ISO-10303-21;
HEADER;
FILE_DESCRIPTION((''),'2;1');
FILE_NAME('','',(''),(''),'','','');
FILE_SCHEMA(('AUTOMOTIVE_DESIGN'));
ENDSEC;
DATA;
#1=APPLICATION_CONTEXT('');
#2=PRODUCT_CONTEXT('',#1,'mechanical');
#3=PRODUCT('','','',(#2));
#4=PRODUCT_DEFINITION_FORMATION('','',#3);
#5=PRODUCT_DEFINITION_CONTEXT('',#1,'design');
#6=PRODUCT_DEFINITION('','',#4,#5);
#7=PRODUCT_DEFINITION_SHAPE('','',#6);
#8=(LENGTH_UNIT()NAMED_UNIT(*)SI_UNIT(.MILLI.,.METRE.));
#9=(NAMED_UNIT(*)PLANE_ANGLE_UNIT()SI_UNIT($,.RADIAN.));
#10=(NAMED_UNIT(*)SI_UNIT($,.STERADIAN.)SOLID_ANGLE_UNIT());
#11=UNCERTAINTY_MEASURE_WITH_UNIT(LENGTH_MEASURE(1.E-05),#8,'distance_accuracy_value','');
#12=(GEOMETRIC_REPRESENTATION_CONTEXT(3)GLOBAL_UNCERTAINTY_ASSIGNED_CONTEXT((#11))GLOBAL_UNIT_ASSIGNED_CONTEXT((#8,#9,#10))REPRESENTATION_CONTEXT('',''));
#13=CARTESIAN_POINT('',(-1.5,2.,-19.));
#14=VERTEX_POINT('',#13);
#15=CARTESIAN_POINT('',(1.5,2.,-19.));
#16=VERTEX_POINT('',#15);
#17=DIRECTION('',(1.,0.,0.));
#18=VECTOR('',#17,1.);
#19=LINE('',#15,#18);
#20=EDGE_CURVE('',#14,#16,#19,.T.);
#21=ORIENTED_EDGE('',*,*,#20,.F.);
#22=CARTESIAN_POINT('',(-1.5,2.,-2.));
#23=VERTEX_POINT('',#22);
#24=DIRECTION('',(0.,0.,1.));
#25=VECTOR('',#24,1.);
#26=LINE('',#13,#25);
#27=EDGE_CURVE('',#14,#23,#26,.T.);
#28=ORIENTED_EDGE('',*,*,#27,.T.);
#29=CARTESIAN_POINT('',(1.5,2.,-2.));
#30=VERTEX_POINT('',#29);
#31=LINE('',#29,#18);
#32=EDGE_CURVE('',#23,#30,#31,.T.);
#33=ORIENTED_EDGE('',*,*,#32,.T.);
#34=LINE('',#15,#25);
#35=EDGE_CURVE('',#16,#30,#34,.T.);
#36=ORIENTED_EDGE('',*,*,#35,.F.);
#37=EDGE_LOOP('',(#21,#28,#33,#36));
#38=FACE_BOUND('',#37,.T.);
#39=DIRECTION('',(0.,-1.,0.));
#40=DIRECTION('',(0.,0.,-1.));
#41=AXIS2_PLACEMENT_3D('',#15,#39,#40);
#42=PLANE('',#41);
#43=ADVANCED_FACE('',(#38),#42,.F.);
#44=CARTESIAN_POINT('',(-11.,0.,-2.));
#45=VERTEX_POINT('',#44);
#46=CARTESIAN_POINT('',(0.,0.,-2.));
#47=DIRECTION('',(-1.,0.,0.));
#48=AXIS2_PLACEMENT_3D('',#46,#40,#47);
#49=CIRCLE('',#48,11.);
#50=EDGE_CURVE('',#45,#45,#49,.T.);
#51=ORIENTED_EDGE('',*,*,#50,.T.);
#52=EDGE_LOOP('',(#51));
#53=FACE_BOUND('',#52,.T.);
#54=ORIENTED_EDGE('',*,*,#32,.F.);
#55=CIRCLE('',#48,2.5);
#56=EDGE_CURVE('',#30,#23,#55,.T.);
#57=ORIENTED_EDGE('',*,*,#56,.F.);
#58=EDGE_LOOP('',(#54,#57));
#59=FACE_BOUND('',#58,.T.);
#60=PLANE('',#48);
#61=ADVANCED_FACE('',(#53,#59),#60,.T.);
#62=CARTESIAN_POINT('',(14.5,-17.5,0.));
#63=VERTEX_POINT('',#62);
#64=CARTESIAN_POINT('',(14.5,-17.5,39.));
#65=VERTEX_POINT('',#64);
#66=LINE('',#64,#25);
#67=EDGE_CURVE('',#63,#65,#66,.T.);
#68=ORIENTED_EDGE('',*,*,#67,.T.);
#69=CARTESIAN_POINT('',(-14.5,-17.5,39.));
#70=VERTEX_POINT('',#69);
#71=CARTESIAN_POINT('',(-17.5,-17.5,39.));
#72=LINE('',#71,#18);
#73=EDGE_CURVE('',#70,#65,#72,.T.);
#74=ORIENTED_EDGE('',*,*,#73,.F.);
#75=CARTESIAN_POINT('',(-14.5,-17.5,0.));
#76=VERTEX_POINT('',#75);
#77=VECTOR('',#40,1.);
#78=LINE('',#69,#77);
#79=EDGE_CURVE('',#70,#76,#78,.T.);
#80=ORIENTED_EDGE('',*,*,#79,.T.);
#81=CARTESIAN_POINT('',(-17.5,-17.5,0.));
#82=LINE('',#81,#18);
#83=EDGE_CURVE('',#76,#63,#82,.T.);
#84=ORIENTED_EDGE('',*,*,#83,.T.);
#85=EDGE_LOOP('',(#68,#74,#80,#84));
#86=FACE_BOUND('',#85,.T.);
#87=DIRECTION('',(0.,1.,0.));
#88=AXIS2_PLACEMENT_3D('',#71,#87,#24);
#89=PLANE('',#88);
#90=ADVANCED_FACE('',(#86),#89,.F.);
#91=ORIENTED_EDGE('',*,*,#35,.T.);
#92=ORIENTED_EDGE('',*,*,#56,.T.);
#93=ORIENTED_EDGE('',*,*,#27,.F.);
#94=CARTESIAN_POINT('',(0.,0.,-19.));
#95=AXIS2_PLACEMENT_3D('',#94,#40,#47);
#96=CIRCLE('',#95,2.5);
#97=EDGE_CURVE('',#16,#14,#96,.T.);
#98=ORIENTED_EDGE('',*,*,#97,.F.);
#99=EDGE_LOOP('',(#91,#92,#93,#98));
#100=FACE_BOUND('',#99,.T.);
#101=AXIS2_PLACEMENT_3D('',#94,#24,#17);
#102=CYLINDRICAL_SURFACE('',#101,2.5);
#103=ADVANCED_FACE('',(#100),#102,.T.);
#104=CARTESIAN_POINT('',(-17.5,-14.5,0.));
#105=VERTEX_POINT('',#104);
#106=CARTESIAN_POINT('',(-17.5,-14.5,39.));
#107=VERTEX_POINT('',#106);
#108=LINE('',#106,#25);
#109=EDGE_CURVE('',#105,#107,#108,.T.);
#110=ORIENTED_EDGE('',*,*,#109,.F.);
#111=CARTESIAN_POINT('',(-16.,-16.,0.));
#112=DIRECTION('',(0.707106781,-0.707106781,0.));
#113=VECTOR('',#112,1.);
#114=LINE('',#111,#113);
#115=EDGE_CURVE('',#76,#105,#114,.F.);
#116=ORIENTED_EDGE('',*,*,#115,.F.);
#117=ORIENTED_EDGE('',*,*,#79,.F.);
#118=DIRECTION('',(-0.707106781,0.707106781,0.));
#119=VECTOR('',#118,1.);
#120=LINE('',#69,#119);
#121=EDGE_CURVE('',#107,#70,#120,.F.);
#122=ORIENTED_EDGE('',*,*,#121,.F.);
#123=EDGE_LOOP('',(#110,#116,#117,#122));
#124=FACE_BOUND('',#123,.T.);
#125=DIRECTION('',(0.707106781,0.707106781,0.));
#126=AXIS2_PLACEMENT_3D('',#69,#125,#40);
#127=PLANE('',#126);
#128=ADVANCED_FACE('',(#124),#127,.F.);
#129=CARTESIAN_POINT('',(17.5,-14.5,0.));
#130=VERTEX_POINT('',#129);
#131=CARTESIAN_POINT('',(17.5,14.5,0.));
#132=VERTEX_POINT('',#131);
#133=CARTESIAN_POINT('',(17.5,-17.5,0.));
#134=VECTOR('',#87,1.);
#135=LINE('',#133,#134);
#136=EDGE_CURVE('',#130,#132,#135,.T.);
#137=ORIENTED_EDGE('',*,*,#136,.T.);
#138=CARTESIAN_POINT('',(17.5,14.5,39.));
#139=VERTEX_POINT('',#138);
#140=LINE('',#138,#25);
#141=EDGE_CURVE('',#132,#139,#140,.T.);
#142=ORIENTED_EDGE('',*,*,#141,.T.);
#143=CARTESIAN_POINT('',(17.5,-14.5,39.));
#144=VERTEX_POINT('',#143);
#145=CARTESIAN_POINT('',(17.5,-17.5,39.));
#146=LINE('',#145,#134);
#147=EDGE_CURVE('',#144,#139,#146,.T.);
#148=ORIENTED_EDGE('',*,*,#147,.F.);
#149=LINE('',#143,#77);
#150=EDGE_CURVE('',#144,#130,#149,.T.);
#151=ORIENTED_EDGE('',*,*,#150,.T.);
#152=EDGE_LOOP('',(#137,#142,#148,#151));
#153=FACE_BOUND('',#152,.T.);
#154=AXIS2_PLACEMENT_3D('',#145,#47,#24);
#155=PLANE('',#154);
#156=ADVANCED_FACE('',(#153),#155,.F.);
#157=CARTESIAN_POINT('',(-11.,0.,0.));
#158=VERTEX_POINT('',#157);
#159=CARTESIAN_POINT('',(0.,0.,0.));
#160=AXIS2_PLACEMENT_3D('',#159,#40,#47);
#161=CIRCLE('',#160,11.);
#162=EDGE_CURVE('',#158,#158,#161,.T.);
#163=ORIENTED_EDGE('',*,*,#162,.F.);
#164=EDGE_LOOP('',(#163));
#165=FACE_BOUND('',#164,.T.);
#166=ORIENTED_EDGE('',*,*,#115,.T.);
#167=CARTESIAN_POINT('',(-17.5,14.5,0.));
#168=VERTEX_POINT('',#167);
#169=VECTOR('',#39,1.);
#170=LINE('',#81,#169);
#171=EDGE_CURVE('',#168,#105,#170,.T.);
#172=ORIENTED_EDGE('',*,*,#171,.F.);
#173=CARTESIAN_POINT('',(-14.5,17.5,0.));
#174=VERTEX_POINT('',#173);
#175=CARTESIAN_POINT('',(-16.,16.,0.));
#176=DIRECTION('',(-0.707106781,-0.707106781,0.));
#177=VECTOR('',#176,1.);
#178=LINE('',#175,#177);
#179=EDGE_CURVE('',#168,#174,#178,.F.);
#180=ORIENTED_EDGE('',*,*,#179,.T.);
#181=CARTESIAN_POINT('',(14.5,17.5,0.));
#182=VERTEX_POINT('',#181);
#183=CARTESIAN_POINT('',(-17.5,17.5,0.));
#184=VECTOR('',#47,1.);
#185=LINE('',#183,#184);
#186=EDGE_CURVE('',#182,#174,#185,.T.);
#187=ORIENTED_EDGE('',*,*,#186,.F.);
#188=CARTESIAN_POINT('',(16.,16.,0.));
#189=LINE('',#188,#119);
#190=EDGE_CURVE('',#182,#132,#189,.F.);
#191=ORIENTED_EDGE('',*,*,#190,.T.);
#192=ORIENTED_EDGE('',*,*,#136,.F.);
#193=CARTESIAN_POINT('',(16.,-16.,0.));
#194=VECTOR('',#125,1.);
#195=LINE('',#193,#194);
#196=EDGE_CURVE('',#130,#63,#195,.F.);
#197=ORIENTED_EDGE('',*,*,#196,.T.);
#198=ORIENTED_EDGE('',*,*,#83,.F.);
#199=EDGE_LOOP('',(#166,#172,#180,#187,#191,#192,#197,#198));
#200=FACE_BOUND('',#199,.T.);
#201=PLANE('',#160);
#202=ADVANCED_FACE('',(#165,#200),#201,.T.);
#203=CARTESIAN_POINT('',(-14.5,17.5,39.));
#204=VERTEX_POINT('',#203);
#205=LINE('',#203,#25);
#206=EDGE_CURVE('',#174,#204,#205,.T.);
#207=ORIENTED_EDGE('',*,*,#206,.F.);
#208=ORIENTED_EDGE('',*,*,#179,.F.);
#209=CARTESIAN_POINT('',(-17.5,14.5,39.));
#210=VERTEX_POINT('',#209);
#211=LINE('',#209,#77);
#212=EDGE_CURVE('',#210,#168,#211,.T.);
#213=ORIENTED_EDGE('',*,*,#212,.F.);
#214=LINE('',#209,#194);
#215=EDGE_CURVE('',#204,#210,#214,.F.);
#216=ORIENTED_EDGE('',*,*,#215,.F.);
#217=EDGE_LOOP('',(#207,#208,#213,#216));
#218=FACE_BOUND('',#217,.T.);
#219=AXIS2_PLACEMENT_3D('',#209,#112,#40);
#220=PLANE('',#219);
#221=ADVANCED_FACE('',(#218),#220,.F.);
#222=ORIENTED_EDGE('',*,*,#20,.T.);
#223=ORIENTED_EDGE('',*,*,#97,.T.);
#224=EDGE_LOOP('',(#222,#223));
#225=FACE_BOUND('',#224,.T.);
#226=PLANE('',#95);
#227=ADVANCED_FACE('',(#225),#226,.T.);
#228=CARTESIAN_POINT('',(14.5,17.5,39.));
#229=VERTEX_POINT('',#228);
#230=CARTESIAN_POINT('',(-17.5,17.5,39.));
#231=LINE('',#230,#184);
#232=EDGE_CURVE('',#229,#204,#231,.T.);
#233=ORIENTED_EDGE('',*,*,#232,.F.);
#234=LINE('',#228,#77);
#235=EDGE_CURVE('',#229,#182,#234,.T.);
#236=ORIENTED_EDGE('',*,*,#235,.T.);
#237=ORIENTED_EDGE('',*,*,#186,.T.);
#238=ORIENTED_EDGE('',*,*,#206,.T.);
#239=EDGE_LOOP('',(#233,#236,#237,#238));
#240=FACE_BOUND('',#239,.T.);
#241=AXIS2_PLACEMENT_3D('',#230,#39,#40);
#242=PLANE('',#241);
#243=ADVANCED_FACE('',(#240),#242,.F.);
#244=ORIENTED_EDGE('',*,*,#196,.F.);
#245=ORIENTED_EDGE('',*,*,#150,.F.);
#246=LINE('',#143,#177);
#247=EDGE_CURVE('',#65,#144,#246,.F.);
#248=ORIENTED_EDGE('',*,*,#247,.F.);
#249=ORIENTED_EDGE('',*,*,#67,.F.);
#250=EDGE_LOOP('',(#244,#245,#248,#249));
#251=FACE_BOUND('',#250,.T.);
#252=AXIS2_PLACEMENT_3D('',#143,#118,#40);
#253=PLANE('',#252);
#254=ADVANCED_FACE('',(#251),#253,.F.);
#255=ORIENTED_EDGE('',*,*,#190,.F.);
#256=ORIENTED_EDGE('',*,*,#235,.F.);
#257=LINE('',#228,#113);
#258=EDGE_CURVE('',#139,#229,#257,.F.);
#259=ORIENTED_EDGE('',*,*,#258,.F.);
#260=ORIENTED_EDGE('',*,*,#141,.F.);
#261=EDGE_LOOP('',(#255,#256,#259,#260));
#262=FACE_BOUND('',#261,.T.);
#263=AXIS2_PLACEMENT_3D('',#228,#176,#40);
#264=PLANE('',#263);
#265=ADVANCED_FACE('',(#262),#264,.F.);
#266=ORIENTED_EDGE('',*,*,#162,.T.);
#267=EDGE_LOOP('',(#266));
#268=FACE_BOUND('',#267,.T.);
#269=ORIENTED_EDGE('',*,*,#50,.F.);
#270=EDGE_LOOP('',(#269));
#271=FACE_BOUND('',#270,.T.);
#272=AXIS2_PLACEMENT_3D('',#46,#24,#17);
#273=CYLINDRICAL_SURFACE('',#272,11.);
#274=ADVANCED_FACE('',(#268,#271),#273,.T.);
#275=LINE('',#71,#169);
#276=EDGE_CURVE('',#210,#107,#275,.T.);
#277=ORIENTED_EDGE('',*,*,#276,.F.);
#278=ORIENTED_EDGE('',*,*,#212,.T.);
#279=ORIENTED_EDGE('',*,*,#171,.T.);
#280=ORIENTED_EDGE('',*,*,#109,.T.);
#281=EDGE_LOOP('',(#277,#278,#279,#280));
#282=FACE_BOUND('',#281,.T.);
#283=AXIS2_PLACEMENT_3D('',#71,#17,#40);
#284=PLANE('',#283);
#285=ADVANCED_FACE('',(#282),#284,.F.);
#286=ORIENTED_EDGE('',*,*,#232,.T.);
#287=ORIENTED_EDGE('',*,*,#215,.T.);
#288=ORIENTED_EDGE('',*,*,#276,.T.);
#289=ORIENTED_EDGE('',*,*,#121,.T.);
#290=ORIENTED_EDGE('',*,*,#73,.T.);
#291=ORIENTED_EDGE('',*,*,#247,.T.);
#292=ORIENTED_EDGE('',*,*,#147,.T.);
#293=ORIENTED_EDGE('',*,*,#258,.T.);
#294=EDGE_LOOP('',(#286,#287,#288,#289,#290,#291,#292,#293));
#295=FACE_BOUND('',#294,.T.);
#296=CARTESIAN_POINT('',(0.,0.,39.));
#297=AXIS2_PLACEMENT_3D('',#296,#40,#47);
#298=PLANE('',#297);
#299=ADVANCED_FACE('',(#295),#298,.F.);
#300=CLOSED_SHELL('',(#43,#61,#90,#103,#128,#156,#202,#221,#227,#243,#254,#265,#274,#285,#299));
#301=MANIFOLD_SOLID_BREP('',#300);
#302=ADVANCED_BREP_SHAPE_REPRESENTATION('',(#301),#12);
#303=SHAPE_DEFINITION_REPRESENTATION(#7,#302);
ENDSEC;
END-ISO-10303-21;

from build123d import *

# Parameters (mm, degrees)
SKETCH_1_W      = 35
SKETCH_1_H      = 35
EXTRUDE_1_DEPTH = 39
SKETCH_2_R      = 11
EXTRUDE_2_DEPTH = 2
EXTRUDE_3_DEPTH = 17
CHAMFER_1_SIZE  = 3


with BuildPart() as part:
    # 草图1 → 凸台-拉伸1 (new body)
    with BuildSketch(Plane.XY):
        Rectangle(SKETCH_1_W, SKETCH_1_H)
    extrude(amount=EXTRUDE_1_DEPTH)

    # 草图2 → 凸台-拉伸2 (add)
    with BuildSketch(Plane(origin=(0, 0, 0), x_dir=(-1, 0, 0), z_dir=(0, 0, -1))):
        Circle(SKETCH_2_R)
    extrude(amount=EXTRUDE_2_DEPTH)

    # 草图3 → 凸台-拉伸3 (add)
    with BuildSketch(Plane(origin=(0, 0, -2), x_dir=(-1, 0, 0), z_dir=(0, 0, -1))):
        with BuildLine():
            Line((-1.5, 2), (1.5, 2))
            ThreePointArc((1.5, 2), (0, -2.5), (-1.5, 2))
        make_face()
    extrude(amount=EXTRUDE_3_DEPTH)

    # 倒角1
    chamfer_1_edges = [part.edges().sort_by_distance(p)[0] for p in [
        (17.5, -17.5, 19.5),
        (-17.5, -17.5, 19.5),
        (-17.5, 17.5, 19.5),
        (17.5, 17.5, 19.5),
    ]]
    chamfer(chamfer_1_edges, length=CHAMFER_1_SIZE)


solid = part.part
